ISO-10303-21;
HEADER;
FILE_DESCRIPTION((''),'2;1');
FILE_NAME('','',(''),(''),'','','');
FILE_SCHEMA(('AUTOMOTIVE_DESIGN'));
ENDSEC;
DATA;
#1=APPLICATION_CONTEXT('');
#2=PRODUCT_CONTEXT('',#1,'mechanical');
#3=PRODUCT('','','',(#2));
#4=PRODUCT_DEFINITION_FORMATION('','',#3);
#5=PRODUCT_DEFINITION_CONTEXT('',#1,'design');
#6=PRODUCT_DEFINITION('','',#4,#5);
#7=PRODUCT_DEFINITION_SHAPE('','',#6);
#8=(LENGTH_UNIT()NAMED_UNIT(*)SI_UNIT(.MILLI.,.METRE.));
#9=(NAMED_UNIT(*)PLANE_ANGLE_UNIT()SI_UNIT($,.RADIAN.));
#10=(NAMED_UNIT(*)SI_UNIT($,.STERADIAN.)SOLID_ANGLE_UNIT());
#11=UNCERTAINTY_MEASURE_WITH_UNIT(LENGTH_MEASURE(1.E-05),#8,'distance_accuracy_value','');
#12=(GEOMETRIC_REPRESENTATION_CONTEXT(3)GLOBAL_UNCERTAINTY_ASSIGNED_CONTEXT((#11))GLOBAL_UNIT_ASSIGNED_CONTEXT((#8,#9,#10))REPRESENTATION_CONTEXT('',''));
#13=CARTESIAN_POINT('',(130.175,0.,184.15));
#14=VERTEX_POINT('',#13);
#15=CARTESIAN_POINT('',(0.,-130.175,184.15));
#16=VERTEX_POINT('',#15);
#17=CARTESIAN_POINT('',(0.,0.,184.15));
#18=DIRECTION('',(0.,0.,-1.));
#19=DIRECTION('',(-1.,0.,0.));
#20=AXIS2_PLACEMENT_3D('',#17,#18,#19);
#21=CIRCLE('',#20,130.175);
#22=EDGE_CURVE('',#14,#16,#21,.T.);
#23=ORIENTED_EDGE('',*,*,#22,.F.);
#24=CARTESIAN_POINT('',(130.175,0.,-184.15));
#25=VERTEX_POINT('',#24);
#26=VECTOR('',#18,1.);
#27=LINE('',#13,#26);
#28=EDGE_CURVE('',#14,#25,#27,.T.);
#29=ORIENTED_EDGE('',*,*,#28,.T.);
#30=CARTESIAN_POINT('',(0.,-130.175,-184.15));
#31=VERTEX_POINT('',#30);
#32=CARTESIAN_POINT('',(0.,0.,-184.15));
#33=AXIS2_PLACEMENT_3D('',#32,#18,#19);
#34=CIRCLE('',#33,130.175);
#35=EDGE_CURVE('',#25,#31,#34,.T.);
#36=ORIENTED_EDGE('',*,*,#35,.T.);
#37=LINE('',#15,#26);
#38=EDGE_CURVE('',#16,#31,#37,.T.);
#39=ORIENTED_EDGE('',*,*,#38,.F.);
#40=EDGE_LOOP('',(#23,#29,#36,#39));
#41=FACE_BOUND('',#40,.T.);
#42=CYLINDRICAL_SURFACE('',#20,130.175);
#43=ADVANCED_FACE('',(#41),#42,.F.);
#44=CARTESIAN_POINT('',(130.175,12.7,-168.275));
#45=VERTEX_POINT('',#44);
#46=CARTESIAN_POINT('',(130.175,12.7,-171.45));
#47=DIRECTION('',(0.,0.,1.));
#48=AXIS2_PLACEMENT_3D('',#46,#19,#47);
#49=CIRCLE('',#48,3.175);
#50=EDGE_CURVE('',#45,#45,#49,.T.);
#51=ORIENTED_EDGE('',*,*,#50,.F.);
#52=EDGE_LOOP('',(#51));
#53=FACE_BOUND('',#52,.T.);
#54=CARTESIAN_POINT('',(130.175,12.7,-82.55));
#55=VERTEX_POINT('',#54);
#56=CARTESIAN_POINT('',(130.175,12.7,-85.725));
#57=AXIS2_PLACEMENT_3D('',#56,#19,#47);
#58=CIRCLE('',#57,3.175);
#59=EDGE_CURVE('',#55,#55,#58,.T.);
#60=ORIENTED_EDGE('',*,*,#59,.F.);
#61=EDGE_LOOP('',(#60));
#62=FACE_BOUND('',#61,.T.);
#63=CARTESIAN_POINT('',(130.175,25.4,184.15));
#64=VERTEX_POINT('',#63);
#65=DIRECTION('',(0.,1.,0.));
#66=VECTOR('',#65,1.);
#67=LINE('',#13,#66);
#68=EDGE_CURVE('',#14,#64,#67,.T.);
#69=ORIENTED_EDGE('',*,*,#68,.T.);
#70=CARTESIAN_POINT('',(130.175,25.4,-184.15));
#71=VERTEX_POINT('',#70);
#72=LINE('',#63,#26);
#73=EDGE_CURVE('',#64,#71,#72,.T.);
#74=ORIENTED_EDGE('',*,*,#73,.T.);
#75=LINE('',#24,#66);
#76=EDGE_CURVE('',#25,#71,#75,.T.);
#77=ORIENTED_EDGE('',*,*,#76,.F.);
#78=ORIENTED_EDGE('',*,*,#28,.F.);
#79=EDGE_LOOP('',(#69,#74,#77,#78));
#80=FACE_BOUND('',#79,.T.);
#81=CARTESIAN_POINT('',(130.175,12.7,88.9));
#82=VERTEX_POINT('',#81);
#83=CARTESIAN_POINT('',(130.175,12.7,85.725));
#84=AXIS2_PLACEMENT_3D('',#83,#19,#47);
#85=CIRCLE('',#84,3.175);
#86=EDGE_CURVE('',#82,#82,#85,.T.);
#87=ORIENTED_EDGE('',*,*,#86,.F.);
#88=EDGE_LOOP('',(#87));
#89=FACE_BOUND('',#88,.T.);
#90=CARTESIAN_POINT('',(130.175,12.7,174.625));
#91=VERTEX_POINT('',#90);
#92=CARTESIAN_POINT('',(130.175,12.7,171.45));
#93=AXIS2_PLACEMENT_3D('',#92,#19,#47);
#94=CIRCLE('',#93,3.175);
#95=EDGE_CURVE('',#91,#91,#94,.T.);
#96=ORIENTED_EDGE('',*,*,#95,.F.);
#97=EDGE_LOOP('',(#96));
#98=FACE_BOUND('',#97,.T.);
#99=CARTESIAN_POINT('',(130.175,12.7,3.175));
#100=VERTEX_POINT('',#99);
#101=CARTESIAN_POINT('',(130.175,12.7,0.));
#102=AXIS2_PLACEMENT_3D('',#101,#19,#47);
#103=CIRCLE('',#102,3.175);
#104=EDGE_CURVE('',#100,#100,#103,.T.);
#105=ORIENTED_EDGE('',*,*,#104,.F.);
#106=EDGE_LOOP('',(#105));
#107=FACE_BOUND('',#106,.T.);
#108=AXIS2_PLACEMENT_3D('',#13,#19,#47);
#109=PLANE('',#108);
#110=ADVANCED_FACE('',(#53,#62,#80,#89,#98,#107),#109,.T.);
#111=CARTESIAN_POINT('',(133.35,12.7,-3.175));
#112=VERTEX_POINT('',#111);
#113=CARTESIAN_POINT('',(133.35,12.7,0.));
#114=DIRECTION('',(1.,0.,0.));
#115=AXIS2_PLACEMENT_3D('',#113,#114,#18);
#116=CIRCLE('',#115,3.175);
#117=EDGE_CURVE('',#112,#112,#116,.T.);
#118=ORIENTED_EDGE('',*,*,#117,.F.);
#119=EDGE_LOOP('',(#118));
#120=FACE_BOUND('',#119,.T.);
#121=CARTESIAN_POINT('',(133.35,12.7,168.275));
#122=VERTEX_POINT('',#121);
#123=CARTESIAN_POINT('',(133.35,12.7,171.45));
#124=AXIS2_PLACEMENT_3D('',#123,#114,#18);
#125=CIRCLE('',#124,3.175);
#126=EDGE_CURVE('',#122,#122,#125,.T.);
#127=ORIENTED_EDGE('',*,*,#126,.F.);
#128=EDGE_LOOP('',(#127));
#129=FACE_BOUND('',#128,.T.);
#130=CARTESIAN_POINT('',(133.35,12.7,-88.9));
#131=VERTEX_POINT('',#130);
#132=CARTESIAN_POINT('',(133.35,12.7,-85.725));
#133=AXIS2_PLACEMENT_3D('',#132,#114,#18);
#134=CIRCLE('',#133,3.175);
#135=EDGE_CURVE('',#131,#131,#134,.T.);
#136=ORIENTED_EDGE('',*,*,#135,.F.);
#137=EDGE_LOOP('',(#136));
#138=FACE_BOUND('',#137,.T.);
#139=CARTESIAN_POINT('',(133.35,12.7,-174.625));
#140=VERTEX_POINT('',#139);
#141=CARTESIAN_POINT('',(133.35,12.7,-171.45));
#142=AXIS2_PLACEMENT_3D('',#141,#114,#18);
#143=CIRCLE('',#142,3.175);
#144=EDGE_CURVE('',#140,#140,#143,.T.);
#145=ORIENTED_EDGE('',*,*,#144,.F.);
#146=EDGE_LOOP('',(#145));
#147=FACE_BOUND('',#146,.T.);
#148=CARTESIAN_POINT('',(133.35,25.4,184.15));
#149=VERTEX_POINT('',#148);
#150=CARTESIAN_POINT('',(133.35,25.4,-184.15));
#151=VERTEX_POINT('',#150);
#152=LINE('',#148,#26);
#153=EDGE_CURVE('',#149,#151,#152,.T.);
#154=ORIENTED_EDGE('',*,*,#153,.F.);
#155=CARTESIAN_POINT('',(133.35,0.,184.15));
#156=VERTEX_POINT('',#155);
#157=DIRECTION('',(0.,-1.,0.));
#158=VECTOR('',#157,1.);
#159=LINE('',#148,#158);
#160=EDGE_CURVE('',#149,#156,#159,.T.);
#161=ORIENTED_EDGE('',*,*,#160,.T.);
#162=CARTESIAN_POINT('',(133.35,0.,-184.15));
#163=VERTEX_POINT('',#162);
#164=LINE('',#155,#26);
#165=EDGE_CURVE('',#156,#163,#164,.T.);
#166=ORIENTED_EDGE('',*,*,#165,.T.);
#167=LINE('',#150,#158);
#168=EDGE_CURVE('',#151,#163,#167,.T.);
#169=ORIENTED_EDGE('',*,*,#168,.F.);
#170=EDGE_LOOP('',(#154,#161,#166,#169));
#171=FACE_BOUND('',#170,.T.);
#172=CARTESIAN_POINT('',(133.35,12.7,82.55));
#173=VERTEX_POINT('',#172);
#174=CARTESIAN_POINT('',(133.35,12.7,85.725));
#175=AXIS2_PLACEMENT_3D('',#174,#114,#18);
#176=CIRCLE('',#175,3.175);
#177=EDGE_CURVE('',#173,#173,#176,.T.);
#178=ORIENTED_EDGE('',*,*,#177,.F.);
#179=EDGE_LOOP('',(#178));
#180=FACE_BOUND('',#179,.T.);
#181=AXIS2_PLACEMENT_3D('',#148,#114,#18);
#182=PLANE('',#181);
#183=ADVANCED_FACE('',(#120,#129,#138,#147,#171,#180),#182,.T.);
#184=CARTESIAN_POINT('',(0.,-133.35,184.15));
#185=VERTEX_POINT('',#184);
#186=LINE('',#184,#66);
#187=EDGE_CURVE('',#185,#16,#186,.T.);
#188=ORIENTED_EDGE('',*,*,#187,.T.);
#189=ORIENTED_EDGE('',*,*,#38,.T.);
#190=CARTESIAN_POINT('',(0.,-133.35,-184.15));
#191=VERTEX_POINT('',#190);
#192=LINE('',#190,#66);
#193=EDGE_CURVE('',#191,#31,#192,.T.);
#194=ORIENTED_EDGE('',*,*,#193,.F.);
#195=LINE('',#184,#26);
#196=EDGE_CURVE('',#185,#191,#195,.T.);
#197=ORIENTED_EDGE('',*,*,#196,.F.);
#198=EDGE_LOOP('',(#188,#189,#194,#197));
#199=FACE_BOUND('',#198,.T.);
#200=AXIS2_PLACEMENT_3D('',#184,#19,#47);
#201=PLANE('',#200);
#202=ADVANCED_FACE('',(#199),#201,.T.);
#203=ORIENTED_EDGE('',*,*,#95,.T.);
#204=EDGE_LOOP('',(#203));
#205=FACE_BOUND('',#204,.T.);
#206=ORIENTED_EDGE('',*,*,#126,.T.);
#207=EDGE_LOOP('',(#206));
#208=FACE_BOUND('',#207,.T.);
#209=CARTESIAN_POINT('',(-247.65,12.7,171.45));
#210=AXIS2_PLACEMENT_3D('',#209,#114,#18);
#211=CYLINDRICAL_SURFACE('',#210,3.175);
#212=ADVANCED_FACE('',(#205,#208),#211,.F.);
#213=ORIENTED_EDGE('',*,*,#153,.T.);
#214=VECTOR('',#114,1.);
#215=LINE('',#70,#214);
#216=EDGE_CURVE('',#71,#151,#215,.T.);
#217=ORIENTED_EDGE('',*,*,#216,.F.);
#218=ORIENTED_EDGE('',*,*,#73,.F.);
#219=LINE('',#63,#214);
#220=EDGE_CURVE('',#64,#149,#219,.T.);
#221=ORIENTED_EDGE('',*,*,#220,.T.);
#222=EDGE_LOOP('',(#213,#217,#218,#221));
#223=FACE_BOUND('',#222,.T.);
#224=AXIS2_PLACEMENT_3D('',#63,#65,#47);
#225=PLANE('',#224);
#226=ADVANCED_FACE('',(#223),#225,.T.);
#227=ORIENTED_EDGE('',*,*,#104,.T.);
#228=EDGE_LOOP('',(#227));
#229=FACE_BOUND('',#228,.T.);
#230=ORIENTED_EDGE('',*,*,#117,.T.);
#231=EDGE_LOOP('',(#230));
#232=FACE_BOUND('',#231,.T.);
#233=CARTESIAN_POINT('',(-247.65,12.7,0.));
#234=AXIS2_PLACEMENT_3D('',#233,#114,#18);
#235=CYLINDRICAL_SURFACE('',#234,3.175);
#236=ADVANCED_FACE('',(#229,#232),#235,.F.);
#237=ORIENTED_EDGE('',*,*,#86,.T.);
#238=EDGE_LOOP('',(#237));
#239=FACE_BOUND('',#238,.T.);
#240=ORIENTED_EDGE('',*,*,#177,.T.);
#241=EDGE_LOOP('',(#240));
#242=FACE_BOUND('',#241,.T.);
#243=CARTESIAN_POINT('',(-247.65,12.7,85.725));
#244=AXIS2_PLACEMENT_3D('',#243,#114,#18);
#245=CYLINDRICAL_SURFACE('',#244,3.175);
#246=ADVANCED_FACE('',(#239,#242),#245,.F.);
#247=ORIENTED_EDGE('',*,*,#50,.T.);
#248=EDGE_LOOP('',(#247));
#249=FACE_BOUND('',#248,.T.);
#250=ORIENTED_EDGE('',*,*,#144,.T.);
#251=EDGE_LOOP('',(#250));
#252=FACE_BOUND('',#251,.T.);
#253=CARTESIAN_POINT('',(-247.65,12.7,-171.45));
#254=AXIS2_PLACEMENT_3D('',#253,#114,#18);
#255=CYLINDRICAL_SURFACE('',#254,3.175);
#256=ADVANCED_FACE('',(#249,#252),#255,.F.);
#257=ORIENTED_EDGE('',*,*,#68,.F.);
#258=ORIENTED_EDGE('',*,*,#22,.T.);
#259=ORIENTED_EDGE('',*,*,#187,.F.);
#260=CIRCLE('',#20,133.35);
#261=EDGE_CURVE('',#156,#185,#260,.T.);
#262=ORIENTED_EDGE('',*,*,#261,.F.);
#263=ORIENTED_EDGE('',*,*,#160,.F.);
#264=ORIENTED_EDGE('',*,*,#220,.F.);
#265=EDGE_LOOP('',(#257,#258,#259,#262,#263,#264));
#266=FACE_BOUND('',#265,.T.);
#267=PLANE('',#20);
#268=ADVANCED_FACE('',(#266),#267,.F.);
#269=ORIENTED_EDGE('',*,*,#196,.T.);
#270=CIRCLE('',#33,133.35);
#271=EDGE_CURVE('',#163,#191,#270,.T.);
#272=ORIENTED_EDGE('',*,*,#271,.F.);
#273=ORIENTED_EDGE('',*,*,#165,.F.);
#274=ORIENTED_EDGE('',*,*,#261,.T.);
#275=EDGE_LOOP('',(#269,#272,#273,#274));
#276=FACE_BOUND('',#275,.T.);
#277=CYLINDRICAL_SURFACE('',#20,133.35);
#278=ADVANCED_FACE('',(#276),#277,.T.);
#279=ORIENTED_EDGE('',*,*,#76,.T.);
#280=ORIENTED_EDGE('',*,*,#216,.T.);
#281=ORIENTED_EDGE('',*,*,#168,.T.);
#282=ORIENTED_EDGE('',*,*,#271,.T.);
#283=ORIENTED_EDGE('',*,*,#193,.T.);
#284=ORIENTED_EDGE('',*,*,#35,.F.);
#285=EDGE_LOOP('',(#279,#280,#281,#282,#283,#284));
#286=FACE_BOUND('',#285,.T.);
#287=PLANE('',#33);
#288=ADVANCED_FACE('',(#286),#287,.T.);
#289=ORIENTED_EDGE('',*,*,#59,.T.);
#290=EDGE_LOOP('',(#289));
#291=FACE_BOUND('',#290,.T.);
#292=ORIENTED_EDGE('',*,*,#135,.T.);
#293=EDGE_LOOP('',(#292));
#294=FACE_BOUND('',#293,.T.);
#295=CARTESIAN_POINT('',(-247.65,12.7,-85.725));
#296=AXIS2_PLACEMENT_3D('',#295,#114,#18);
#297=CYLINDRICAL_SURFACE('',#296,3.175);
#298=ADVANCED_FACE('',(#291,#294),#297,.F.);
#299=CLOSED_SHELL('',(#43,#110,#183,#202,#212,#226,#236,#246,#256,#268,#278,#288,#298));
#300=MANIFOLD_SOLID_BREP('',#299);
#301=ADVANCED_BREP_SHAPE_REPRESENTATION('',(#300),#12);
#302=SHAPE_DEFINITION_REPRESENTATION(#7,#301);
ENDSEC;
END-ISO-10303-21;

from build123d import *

# Parameters (mm, degrees)
BOSS_EXTRUDE1_DEPTH = 184.15
SKETCH2_R           = 3.175
CUT_EXTRUDE1_DEPTH  = 381


with BuildPart() as part:
    # Sketch1 → Boss-Extrude1 (new body, symmetric)
    with BuildSketch(Plane.XY):
        with BuildLine():
            Line((0, -133.35), (0, -130.175))
            ThreePointArc((0, -130.175), (92.047625241, -92.047625241), (130.175, 0))
            Line((130.175, 0), (130.175, 25.4))
            Line((130.175, 25.4), (133.35, 25.4))
            Line((133.35, 25.4), (133.35, 0))
            ThreePointArc((133.35, 0), (94.292689271, -94.292689271), (0, -133.35))
        make_face()
    extrude(amount=BOSS_EXTRUDE1_DEPTH, both=True)

    # Sketch2 → Cut-Extrude1 (cut)
    with BuildSketch(Plane(origin=(133.35, 0, 0), x_dir=(0, 0, -1), z_dir=(1, 0, 0))):
        with Locations((0, 12.7)):
            Circle(SKETCH2_R)
        with Locations((85.725, 12.7)):
            Circle(SKETCH2_R)
        with Locations((-85.725, 12.7)):
            Circle(SKETCH2_R)
        with Locations((-171.45, 12.7)):
            Circle(SKETCH2_R)
        with Locations((171.45, 12.7)):
            Circle(SKETCH2_R)
    extrude(amount=-CUT_EXTRUDE1_DEPTH, mode=Mode.SUBTRACT)


solid = part.part
